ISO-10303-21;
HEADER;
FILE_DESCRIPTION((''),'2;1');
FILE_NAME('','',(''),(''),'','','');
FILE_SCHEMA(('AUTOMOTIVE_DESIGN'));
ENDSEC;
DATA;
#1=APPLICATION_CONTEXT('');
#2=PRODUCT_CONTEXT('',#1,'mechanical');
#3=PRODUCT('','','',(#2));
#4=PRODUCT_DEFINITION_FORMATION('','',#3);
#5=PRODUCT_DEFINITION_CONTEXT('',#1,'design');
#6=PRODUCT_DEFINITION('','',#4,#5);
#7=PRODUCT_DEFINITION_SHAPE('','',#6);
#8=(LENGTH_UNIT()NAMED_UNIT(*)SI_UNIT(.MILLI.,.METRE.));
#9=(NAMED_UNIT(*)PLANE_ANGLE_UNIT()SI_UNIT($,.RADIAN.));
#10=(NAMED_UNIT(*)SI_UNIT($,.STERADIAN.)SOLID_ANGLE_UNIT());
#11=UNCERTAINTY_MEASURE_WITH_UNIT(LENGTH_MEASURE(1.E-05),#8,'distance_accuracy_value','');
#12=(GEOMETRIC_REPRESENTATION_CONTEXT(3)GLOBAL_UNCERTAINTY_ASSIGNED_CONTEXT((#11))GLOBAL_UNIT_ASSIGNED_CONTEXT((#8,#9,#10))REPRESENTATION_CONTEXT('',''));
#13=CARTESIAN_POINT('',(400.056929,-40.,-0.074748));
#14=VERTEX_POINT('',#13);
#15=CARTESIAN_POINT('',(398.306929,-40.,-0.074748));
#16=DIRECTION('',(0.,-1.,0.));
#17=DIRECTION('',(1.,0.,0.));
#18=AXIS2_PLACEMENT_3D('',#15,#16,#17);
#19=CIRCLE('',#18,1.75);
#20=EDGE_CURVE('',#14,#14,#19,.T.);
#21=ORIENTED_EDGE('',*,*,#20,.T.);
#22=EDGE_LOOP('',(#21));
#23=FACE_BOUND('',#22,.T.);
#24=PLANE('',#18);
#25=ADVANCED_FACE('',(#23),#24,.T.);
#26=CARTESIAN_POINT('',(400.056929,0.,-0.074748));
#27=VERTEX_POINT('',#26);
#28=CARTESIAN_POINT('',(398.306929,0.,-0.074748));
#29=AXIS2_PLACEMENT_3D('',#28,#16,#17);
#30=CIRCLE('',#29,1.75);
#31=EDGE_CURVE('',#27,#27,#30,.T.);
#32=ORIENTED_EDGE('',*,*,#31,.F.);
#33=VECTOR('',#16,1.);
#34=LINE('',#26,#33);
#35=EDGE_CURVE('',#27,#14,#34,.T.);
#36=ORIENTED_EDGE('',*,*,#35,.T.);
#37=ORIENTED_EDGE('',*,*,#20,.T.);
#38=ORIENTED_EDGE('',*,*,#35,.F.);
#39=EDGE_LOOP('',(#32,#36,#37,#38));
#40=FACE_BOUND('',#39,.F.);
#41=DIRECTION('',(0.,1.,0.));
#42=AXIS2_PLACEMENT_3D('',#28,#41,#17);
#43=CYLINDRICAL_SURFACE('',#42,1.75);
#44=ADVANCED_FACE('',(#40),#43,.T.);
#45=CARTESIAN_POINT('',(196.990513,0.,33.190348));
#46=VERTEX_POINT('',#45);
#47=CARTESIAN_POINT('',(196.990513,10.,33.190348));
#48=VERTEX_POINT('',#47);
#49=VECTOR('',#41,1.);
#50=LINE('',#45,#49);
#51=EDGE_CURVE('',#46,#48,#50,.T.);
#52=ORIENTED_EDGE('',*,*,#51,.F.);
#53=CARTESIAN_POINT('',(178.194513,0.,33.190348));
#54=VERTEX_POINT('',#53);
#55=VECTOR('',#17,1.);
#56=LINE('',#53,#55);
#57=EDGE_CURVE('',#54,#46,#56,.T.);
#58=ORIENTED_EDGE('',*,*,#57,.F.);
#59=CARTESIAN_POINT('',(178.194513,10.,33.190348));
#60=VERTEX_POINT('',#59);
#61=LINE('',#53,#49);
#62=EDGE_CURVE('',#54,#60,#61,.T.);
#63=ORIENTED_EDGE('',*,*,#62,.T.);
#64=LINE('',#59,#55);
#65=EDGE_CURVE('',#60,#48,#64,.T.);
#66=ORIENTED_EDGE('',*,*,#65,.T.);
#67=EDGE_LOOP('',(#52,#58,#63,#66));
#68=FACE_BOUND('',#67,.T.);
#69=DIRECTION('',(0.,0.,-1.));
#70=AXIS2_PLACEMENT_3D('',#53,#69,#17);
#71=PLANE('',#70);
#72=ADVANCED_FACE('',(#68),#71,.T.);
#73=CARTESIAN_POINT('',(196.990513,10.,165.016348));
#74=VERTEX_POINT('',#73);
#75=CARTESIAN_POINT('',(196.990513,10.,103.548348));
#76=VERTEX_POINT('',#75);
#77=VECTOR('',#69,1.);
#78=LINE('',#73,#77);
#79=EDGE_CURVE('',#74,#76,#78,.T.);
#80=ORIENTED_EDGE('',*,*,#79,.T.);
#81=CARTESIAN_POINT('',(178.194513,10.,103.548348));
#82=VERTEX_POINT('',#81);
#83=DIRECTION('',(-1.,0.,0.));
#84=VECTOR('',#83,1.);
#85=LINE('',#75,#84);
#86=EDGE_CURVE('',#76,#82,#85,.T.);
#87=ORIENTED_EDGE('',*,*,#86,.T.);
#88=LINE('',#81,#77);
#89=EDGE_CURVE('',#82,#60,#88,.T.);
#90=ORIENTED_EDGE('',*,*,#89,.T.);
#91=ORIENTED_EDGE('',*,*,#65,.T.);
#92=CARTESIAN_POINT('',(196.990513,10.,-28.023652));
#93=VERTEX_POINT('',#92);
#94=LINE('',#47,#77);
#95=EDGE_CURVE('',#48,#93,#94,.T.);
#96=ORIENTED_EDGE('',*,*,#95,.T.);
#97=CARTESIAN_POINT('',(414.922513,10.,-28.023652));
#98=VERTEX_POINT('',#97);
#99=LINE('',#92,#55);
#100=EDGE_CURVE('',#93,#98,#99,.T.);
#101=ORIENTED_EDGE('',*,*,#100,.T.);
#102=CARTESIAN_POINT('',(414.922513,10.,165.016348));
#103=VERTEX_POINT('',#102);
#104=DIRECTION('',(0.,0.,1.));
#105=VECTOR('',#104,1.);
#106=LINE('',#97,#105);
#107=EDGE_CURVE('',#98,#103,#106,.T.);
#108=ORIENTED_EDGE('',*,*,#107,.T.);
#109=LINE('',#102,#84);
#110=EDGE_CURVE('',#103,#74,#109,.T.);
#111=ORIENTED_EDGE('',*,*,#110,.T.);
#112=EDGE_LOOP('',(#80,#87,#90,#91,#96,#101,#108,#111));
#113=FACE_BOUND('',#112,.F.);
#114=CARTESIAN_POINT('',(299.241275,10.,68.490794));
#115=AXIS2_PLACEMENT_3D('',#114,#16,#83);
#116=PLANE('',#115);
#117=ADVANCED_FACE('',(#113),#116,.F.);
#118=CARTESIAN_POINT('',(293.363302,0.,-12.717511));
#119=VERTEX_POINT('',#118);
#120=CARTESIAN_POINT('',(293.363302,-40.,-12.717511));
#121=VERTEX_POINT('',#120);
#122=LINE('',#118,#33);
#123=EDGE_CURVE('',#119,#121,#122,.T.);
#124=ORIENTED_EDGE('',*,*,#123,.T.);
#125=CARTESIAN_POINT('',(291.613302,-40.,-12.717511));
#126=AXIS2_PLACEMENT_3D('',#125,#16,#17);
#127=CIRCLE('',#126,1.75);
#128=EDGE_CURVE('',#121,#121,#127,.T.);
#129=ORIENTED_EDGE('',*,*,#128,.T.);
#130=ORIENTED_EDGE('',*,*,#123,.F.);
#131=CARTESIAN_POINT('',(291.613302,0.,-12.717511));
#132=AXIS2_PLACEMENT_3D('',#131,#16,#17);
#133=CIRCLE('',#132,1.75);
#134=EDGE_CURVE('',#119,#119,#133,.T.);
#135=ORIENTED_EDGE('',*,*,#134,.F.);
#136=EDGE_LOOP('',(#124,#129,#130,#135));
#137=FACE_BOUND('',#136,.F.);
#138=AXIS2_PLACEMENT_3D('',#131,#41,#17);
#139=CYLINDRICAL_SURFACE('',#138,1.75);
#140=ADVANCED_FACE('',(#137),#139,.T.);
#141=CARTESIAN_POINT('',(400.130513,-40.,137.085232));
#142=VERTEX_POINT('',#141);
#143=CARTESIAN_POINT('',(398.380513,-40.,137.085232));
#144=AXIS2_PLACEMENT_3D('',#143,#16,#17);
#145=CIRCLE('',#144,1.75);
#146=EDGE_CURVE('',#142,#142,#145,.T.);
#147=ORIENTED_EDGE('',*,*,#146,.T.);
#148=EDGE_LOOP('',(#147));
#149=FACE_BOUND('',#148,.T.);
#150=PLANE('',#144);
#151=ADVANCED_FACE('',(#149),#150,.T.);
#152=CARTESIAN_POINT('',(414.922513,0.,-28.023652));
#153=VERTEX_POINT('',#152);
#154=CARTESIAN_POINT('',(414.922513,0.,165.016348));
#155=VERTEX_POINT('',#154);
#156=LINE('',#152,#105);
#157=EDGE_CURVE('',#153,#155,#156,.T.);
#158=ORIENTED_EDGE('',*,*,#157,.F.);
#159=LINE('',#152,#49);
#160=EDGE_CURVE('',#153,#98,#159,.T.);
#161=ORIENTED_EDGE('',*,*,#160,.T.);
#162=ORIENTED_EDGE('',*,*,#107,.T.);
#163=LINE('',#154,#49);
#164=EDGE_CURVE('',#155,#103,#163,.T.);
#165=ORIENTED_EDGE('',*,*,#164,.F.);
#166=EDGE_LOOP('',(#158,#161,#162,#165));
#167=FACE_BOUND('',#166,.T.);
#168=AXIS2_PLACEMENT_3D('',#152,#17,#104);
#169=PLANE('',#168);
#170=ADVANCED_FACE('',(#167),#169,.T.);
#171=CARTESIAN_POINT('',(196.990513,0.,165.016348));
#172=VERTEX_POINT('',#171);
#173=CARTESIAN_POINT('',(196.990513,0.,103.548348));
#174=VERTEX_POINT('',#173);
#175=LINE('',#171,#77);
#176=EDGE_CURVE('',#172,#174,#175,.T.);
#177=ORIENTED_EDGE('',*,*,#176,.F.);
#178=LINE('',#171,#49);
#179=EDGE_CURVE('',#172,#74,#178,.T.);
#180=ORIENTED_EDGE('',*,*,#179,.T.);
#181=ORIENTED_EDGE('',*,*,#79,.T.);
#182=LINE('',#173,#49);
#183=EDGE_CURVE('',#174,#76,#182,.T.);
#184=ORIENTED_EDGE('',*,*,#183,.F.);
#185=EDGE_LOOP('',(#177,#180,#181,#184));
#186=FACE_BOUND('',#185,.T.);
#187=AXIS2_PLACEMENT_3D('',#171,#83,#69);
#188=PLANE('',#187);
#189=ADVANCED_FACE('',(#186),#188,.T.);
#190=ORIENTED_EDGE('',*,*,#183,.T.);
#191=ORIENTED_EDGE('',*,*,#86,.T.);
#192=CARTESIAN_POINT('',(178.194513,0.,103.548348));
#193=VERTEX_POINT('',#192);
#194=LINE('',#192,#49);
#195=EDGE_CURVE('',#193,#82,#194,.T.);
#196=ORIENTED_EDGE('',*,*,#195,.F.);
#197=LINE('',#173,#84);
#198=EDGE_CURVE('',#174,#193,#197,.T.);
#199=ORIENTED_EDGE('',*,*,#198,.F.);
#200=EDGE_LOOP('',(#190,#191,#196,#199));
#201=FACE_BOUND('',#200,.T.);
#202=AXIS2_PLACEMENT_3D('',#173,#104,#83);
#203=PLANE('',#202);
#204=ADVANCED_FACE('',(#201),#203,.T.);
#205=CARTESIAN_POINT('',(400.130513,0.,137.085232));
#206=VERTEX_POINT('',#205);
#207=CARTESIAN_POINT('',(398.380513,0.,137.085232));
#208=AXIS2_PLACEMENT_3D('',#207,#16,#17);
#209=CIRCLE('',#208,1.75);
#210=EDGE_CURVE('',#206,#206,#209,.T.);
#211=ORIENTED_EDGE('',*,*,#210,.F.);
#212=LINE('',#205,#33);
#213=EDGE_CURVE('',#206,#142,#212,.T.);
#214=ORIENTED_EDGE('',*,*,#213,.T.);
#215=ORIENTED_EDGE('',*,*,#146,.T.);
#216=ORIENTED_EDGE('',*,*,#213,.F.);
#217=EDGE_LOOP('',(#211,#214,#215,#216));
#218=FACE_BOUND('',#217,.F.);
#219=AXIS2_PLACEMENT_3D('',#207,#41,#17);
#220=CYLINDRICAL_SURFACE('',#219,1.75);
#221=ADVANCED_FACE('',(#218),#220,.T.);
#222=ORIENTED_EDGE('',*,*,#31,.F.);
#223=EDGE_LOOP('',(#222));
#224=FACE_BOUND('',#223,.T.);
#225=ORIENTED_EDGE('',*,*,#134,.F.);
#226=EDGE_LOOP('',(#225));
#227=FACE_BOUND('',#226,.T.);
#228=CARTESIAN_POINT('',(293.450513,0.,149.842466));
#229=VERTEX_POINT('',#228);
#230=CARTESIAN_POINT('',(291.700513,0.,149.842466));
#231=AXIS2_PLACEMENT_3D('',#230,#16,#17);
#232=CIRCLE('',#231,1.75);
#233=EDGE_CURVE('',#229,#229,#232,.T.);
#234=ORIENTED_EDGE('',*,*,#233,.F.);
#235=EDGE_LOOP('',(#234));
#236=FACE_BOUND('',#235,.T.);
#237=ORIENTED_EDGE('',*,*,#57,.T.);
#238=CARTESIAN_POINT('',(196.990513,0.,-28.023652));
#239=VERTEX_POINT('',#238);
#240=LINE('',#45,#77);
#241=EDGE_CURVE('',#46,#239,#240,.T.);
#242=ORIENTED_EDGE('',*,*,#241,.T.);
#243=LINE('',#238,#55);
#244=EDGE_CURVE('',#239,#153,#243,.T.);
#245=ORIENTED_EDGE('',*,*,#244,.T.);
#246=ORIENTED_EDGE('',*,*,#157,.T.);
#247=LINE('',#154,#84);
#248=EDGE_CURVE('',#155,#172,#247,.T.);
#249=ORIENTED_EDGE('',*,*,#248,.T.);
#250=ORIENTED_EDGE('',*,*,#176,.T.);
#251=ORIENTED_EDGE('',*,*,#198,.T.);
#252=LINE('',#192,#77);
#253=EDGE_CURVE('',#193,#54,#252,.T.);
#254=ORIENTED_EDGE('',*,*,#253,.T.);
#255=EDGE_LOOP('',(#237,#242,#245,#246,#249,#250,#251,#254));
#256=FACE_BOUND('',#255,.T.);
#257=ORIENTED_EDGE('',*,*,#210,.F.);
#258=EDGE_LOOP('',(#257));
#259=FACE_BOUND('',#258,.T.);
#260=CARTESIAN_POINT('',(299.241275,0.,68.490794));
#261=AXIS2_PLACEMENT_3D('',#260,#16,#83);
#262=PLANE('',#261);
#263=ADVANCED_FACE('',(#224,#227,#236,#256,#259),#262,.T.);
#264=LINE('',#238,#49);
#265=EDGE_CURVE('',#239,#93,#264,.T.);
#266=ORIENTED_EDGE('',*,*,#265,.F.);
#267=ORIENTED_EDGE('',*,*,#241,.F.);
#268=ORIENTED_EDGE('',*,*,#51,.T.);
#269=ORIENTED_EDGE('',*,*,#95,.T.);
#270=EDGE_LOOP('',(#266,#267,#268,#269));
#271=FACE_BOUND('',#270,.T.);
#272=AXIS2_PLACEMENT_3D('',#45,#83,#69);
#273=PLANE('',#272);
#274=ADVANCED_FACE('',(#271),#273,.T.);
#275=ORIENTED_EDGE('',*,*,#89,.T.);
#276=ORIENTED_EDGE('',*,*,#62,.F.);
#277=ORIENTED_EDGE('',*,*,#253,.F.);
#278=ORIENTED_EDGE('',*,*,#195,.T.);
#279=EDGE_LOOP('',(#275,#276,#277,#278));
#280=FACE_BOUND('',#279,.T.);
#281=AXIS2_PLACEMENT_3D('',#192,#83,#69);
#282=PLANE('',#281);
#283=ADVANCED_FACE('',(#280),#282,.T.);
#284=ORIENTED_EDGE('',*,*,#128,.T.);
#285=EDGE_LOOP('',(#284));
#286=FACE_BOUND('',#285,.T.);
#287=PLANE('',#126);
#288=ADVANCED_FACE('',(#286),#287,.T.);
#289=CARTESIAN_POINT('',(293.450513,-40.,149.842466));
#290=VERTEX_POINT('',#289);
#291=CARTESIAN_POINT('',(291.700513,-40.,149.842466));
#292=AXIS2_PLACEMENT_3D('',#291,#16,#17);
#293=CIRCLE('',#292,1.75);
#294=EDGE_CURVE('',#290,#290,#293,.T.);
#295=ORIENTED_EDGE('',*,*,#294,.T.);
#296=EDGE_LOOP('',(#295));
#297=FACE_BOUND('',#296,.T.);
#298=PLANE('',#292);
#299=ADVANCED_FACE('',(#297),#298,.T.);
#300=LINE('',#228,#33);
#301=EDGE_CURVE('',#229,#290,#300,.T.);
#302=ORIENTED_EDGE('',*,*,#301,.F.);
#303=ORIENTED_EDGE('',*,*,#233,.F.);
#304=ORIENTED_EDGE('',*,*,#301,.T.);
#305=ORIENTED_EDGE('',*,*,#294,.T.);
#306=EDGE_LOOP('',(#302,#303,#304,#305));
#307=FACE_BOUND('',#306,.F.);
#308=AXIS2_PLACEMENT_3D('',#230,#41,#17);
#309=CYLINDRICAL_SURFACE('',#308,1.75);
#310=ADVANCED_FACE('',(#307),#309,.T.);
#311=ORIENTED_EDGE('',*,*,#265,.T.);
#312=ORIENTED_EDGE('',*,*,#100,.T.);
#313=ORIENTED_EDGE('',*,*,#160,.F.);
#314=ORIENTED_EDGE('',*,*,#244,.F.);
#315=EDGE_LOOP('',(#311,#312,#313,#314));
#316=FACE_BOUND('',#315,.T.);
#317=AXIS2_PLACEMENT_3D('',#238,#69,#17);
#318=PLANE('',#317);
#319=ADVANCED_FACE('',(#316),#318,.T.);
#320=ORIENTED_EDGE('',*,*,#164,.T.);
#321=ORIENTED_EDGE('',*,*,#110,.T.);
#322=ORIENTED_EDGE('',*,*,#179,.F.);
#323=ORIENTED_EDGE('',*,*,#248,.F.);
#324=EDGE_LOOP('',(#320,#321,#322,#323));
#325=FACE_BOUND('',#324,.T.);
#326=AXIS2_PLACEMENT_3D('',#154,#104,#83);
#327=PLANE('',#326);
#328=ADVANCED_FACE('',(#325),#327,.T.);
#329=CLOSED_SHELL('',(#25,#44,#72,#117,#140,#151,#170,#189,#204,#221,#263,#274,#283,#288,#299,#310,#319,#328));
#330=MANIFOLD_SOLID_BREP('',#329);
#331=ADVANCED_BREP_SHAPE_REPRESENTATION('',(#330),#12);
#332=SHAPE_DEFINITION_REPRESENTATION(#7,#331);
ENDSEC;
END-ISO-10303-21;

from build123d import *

# Parameters (mm, degrees)
BOSS_EXTRUDE1_DEPTH = 10
SKETCH2_R           = 1.75
BOSS_EXTRUDE2_DEPTH = 40


with BuildPart() as part:
    # Sketch1 → Boss-Extrude1 (new body)
    with BuildSketch(Plane(origin=(0, 0, 0), x_dir=(1, 0, 0), z_dir=(0, 1, 0))):
        Polygon((196.990512748, 28.023652023), (414.922512748, 28.023652023), (414.922512748, -165.016347977), (196.990512748, -165.016347977), (196.990512748, -103.548347977), (178.194512748, -103.548347977), (178.194512748, -33.190347977), (196.990512748, -33.190347977), align=None)
    extrude(amount=BOSS_EXTRUDE1_DEPTH)

    # Sketch2 → Boss-Extrude2 (add)
    with BuildSketch(Plane.XZ):
        with Locations((291.700512748, 149.842465897)):
            Circle(SKETCH2_R)
        with Locations((398.380512748, 137.085232309)):
            Circle(SKETCH2_R)
        with Locations((398.306929068, -0.074747953)):
            Circle(SKETCH2_R)
        with Locations((291.61330246, -12.71751071)):
            Circle(SKETCH2_R)
    extrude(amount=BOSS_EXTRUDE2_DEPTH)


solid = part.part
